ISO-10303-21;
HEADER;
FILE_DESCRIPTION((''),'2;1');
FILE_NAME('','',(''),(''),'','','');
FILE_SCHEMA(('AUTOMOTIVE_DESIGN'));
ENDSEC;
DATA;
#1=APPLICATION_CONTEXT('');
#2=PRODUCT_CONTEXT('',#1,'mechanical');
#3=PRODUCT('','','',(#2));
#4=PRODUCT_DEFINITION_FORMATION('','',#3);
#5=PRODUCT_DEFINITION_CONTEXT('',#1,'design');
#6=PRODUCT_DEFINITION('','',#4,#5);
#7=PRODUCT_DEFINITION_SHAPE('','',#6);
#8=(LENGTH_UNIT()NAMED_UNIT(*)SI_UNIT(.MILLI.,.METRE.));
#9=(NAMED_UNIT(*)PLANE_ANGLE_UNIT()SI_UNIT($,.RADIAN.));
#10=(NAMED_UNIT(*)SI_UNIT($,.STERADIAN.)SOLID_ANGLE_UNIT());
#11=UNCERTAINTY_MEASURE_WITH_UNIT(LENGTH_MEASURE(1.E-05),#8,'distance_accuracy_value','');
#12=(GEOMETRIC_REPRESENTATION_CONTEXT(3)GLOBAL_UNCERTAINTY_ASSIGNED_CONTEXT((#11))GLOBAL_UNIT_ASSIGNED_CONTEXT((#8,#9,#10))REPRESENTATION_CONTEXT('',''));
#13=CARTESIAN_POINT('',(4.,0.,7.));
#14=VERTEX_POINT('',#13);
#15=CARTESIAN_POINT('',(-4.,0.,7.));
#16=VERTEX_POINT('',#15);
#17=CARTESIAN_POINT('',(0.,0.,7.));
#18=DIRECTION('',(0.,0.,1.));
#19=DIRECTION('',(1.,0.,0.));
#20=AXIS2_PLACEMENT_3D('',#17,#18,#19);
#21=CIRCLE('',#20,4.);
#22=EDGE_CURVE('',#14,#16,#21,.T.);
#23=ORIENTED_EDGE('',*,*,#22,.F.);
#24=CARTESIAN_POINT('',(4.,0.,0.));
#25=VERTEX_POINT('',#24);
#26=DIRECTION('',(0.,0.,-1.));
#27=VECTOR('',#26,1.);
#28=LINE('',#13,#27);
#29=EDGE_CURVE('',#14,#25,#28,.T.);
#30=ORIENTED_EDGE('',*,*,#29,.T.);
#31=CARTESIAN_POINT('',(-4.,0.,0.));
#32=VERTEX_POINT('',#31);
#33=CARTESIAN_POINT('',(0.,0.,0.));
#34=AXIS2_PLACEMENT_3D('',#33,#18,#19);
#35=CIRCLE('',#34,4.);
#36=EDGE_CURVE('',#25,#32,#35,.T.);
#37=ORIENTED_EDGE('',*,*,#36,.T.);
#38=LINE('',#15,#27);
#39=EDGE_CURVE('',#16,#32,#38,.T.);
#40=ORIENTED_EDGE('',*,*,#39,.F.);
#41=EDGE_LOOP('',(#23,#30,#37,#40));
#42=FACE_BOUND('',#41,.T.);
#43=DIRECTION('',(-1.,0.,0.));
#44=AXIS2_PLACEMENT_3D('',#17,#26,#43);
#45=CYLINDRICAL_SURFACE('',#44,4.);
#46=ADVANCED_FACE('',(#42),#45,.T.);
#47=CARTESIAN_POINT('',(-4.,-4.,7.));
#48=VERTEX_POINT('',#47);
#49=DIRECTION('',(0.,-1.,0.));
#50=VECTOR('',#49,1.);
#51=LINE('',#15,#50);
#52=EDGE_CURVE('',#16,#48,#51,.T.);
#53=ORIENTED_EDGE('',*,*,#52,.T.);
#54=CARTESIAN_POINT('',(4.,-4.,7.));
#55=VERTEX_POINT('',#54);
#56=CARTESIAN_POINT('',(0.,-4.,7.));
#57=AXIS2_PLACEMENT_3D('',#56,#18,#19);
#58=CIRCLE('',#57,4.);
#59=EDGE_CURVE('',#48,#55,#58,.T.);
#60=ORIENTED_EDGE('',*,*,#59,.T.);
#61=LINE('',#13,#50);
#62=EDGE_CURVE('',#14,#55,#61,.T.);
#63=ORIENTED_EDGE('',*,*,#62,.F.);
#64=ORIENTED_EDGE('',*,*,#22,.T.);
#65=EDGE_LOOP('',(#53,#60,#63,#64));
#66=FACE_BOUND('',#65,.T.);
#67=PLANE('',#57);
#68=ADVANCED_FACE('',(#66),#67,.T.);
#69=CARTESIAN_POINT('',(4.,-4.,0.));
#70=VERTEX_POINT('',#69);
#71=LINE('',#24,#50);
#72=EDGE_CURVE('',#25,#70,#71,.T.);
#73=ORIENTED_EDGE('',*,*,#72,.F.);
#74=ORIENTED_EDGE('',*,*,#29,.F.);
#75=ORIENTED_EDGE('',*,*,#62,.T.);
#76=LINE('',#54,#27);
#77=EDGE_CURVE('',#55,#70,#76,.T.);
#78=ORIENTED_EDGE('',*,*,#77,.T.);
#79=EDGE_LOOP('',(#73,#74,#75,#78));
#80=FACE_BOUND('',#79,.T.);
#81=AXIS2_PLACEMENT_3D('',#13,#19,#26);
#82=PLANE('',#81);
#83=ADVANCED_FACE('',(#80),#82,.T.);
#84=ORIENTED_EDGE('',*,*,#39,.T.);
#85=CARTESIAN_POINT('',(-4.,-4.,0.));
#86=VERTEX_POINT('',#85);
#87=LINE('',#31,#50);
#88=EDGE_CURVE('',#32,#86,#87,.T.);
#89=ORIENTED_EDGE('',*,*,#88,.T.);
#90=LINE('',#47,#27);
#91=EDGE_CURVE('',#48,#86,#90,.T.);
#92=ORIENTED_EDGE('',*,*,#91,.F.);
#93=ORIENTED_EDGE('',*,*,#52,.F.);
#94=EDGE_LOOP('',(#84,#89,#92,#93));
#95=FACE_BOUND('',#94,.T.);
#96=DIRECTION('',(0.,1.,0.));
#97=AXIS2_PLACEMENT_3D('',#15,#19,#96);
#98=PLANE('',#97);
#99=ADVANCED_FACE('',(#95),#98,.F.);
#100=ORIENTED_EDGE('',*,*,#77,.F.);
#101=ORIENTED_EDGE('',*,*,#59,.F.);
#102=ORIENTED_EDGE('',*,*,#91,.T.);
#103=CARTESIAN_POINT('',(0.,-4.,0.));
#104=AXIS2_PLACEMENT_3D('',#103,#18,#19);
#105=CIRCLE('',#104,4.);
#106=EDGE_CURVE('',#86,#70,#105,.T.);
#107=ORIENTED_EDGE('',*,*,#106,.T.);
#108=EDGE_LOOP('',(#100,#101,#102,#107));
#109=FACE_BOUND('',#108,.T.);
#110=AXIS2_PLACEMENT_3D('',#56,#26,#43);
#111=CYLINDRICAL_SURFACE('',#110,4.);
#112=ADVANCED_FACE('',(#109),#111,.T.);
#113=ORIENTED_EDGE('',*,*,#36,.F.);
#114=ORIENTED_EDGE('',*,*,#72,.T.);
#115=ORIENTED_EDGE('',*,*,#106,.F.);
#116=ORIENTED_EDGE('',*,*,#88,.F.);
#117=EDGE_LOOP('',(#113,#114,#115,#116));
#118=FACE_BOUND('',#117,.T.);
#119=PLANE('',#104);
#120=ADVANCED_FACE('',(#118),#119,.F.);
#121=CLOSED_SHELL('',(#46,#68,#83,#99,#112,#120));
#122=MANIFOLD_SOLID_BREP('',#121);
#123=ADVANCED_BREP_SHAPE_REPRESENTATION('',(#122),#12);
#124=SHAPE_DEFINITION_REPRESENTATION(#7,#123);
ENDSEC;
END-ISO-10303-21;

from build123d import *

# Parameters (mm, degrees)
BOSS_EXTRUDE1_DEPTH = 7


with BuildPart() as part:
    # Sketch1 → Boss-Extrude1 (new body)
    with BuildSketch(Plane.XY):
        with BuildLine():
            Line((4, 0), (4, -4))
            ThreePointArc((4, -4), (0, -8), (-4, -4))
            Line((-4, -4), (-4, 0))
            ThreePointArc((-4, 0), (0, 4), (4, 0))
        make_face()
    extrude(amount=BOSS_EXTRUDE1_DEPTH)


solid = part.part
